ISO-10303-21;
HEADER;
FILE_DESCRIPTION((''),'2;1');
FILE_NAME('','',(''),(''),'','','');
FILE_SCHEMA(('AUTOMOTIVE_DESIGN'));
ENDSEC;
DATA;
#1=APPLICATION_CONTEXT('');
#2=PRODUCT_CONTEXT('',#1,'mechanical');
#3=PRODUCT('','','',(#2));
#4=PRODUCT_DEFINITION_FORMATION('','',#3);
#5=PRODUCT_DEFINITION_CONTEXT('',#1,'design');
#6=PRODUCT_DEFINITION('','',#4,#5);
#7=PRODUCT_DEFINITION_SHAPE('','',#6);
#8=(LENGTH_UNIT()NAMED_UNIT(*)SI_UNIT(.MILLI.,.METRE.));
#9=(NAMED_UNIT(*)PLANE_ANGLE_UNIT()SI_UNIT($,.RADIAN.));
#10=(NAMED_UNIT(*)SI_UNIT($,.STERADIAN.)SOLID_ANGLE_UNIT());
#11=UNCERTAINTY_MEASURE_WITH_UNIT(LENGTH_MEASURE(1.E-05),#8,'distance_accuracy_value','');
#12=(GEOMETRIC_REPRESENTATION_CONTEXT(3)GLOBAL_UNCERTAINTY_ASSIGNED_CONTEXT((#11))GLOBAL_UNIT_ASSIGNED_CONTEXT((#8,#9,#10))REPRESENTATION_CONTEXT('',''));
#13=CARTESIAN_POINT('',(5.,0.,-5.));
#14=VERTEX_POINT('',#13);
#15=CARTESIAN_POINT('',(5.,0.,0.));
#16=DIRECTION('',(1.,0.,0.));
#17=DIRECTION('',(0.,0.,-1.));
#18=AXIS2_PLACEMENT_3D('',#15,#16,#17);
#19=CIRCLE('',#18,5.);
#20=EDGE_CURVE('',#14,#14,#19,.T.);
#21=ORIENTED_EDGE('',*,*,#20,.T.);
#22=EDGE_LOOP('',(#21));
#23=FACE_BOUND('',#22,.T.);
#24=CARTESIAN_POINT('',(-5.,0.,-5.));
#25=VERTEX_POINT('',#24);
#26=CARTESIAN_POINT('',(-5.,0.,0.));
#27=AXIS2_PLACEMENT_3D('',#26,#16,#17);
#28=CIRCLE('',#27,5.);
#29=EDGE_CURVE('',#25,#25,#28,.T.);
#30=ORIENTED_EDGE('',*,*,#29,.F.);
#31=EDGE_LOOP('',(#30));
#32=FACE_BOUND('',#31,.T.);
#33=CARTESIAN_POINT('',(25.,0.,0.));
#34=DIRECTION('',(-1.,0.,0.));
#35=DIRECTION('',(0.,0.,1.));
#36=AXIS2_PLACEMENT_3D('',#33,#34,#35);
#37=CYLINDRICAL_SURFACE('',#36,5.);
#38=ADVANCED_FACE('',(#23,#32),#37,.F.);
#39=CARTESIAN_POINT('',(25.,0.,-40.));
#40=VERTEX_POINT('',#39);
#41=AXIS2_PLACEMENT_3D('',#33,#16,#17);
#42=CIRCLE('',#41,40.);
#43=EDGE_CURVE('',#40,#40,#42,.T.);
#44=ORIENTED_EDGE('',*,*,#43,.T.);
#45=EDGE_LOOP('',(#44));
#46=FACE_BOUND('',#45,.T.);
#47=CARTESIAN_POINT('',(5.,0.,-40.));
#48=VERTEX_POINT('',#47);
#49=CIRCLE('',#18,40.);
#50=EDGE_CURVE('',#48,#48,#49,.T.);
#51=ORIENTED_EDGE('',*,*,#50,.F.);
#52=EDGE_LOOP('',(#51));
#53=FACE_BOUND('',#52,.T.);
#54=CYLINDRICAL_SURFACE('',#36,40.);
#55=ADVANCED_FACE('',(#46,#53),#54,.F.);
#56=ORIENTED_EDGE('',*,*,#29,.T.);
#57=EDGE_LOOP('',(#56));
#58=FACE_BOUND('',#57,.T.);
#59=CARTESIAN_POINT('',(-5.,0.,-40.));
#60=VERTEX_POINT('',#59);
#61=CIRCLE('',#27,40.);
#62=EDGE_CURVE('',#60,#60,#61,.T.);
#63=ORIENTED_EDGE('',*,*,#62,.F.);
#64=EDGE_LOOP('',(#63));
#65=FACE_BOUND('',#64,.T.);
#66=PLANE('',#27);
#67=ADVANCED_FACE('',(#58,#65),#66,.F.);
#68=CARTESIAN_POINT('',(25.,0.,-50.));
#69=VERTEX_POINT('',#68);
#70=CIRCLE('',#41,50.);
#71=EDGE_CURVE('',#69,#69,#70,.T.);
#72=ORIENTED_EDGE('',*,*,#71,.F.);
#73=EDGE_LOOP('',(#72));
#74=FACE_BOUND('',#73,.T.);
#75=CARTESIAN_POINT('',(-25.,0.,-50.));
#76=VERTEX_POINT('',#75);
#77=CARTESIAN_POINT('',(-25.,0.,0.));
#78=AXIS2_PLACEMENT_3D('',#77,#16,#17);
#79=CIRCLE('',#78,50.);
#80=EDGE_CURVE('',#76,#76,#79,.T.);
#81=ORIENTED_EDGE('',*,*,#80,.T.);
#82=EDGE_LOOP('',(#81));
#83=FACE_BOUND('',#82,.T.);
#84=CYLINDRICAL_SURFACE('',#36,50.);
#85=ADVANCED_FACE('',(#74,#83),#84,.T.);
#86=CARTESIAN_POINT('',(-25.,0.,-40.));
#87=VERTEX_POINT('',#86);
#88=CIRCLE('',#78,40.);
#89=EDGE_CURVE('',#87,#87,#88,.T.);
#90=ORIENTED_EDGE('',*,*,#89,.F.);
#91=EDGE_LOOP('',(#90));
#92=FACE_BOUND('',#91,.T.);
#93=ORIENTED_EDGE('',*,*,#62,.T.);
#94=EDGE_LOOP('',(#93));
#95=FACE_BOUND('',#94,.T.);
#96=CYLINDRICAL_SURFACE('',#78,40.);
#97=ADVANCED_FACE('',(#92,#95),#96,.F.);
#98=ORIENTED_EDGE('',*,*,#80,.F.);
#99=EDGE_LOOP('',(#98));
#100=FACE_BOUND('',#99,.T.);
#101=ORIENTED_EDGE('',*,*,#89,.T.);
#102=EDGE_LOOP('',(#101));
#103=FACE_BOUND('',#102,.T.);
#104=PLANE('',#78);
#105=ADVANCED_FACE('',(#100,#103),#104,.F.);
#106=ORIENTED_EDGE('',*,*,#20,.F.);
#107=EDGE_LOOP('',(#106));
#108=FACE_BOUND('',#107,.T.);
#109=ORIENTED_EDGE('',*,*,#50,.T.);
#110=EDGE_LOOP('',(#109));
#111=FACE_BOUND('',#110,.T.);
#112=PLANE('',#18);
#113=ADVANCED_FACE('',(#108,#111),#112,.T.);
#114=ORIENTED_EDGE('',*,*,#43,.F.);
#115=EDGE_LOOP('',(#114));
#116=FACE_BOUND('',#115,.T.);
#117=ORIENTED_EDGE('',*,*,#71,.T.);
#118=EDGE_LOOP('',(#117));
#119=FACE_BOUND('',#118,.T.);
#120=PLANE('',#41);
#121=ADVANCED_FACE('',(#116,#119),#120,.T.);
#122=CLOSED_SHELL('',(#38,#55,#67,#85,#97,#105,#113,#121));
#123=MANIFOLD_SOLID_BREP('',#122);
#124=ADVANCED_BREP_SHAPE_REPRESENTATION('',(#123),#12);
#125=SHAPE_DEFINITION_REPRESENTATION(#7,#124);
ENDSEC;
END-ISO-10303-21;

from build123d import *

# Parameters (mm, degrees)
SKETCH1_R           = 50
SKETCH1_R_2         = 5
BOSS_EXTRUDE1_DEPTH = 25
CUT_EXTRUDE1_START  = -5
SKETCH3_R           = 40
CUT_EXTRUDE1_DEPTH  = 20
CUT_EXTRUDE2_START  = 25
SKETCH3_2_R         = 40
CUT_EXTRUDE2_DEPTH  = 20


with BuildPart() as part:
    # Sketch1 → Boss-Extrude1 (new, symmetric)
    with BuildSketch(Plane(origin=(0, 0, 0), x_dir=(0, 0, -1), z_dir=(1, 0, 0))):
        Circle(SKETCH1_R)
        Circle(SKETCH1_R_2, mode=Mode.SUBTRACT)
    extrude(amount=BOSS_EXTRUDE1_DEPTH, both=True)

    # Sketch3 → Cut-Extrude1 (cut)
    with BuildSketch(Plane(origin=(0, 0, 0), x_dir=(0, 0, -1), z_dir=(1, 0, 0)).offset(CUT_EXTRUDE1_START)):
        Circle(SKETCH3_R)
    extrude(amount=-CUT_EXTRUDE1_DEPTH, mode=Mode.SUBTRACT)

    # Sketch3<2> → Cut-Extrude2 (cut)
    with BuildSketch(Plane(origin=(0, 0, 0), x_dir=(0, 0, -1), z_dir=(1, 0, 0)).offset(CUT_EXTRUDE2_START)):
        Circle(SKETCH3_2_R)
    extrude(amount=-CUT_EXTRUDE2_DEPTH, mode=Mode.SUBTRACT)


solid = part.part
